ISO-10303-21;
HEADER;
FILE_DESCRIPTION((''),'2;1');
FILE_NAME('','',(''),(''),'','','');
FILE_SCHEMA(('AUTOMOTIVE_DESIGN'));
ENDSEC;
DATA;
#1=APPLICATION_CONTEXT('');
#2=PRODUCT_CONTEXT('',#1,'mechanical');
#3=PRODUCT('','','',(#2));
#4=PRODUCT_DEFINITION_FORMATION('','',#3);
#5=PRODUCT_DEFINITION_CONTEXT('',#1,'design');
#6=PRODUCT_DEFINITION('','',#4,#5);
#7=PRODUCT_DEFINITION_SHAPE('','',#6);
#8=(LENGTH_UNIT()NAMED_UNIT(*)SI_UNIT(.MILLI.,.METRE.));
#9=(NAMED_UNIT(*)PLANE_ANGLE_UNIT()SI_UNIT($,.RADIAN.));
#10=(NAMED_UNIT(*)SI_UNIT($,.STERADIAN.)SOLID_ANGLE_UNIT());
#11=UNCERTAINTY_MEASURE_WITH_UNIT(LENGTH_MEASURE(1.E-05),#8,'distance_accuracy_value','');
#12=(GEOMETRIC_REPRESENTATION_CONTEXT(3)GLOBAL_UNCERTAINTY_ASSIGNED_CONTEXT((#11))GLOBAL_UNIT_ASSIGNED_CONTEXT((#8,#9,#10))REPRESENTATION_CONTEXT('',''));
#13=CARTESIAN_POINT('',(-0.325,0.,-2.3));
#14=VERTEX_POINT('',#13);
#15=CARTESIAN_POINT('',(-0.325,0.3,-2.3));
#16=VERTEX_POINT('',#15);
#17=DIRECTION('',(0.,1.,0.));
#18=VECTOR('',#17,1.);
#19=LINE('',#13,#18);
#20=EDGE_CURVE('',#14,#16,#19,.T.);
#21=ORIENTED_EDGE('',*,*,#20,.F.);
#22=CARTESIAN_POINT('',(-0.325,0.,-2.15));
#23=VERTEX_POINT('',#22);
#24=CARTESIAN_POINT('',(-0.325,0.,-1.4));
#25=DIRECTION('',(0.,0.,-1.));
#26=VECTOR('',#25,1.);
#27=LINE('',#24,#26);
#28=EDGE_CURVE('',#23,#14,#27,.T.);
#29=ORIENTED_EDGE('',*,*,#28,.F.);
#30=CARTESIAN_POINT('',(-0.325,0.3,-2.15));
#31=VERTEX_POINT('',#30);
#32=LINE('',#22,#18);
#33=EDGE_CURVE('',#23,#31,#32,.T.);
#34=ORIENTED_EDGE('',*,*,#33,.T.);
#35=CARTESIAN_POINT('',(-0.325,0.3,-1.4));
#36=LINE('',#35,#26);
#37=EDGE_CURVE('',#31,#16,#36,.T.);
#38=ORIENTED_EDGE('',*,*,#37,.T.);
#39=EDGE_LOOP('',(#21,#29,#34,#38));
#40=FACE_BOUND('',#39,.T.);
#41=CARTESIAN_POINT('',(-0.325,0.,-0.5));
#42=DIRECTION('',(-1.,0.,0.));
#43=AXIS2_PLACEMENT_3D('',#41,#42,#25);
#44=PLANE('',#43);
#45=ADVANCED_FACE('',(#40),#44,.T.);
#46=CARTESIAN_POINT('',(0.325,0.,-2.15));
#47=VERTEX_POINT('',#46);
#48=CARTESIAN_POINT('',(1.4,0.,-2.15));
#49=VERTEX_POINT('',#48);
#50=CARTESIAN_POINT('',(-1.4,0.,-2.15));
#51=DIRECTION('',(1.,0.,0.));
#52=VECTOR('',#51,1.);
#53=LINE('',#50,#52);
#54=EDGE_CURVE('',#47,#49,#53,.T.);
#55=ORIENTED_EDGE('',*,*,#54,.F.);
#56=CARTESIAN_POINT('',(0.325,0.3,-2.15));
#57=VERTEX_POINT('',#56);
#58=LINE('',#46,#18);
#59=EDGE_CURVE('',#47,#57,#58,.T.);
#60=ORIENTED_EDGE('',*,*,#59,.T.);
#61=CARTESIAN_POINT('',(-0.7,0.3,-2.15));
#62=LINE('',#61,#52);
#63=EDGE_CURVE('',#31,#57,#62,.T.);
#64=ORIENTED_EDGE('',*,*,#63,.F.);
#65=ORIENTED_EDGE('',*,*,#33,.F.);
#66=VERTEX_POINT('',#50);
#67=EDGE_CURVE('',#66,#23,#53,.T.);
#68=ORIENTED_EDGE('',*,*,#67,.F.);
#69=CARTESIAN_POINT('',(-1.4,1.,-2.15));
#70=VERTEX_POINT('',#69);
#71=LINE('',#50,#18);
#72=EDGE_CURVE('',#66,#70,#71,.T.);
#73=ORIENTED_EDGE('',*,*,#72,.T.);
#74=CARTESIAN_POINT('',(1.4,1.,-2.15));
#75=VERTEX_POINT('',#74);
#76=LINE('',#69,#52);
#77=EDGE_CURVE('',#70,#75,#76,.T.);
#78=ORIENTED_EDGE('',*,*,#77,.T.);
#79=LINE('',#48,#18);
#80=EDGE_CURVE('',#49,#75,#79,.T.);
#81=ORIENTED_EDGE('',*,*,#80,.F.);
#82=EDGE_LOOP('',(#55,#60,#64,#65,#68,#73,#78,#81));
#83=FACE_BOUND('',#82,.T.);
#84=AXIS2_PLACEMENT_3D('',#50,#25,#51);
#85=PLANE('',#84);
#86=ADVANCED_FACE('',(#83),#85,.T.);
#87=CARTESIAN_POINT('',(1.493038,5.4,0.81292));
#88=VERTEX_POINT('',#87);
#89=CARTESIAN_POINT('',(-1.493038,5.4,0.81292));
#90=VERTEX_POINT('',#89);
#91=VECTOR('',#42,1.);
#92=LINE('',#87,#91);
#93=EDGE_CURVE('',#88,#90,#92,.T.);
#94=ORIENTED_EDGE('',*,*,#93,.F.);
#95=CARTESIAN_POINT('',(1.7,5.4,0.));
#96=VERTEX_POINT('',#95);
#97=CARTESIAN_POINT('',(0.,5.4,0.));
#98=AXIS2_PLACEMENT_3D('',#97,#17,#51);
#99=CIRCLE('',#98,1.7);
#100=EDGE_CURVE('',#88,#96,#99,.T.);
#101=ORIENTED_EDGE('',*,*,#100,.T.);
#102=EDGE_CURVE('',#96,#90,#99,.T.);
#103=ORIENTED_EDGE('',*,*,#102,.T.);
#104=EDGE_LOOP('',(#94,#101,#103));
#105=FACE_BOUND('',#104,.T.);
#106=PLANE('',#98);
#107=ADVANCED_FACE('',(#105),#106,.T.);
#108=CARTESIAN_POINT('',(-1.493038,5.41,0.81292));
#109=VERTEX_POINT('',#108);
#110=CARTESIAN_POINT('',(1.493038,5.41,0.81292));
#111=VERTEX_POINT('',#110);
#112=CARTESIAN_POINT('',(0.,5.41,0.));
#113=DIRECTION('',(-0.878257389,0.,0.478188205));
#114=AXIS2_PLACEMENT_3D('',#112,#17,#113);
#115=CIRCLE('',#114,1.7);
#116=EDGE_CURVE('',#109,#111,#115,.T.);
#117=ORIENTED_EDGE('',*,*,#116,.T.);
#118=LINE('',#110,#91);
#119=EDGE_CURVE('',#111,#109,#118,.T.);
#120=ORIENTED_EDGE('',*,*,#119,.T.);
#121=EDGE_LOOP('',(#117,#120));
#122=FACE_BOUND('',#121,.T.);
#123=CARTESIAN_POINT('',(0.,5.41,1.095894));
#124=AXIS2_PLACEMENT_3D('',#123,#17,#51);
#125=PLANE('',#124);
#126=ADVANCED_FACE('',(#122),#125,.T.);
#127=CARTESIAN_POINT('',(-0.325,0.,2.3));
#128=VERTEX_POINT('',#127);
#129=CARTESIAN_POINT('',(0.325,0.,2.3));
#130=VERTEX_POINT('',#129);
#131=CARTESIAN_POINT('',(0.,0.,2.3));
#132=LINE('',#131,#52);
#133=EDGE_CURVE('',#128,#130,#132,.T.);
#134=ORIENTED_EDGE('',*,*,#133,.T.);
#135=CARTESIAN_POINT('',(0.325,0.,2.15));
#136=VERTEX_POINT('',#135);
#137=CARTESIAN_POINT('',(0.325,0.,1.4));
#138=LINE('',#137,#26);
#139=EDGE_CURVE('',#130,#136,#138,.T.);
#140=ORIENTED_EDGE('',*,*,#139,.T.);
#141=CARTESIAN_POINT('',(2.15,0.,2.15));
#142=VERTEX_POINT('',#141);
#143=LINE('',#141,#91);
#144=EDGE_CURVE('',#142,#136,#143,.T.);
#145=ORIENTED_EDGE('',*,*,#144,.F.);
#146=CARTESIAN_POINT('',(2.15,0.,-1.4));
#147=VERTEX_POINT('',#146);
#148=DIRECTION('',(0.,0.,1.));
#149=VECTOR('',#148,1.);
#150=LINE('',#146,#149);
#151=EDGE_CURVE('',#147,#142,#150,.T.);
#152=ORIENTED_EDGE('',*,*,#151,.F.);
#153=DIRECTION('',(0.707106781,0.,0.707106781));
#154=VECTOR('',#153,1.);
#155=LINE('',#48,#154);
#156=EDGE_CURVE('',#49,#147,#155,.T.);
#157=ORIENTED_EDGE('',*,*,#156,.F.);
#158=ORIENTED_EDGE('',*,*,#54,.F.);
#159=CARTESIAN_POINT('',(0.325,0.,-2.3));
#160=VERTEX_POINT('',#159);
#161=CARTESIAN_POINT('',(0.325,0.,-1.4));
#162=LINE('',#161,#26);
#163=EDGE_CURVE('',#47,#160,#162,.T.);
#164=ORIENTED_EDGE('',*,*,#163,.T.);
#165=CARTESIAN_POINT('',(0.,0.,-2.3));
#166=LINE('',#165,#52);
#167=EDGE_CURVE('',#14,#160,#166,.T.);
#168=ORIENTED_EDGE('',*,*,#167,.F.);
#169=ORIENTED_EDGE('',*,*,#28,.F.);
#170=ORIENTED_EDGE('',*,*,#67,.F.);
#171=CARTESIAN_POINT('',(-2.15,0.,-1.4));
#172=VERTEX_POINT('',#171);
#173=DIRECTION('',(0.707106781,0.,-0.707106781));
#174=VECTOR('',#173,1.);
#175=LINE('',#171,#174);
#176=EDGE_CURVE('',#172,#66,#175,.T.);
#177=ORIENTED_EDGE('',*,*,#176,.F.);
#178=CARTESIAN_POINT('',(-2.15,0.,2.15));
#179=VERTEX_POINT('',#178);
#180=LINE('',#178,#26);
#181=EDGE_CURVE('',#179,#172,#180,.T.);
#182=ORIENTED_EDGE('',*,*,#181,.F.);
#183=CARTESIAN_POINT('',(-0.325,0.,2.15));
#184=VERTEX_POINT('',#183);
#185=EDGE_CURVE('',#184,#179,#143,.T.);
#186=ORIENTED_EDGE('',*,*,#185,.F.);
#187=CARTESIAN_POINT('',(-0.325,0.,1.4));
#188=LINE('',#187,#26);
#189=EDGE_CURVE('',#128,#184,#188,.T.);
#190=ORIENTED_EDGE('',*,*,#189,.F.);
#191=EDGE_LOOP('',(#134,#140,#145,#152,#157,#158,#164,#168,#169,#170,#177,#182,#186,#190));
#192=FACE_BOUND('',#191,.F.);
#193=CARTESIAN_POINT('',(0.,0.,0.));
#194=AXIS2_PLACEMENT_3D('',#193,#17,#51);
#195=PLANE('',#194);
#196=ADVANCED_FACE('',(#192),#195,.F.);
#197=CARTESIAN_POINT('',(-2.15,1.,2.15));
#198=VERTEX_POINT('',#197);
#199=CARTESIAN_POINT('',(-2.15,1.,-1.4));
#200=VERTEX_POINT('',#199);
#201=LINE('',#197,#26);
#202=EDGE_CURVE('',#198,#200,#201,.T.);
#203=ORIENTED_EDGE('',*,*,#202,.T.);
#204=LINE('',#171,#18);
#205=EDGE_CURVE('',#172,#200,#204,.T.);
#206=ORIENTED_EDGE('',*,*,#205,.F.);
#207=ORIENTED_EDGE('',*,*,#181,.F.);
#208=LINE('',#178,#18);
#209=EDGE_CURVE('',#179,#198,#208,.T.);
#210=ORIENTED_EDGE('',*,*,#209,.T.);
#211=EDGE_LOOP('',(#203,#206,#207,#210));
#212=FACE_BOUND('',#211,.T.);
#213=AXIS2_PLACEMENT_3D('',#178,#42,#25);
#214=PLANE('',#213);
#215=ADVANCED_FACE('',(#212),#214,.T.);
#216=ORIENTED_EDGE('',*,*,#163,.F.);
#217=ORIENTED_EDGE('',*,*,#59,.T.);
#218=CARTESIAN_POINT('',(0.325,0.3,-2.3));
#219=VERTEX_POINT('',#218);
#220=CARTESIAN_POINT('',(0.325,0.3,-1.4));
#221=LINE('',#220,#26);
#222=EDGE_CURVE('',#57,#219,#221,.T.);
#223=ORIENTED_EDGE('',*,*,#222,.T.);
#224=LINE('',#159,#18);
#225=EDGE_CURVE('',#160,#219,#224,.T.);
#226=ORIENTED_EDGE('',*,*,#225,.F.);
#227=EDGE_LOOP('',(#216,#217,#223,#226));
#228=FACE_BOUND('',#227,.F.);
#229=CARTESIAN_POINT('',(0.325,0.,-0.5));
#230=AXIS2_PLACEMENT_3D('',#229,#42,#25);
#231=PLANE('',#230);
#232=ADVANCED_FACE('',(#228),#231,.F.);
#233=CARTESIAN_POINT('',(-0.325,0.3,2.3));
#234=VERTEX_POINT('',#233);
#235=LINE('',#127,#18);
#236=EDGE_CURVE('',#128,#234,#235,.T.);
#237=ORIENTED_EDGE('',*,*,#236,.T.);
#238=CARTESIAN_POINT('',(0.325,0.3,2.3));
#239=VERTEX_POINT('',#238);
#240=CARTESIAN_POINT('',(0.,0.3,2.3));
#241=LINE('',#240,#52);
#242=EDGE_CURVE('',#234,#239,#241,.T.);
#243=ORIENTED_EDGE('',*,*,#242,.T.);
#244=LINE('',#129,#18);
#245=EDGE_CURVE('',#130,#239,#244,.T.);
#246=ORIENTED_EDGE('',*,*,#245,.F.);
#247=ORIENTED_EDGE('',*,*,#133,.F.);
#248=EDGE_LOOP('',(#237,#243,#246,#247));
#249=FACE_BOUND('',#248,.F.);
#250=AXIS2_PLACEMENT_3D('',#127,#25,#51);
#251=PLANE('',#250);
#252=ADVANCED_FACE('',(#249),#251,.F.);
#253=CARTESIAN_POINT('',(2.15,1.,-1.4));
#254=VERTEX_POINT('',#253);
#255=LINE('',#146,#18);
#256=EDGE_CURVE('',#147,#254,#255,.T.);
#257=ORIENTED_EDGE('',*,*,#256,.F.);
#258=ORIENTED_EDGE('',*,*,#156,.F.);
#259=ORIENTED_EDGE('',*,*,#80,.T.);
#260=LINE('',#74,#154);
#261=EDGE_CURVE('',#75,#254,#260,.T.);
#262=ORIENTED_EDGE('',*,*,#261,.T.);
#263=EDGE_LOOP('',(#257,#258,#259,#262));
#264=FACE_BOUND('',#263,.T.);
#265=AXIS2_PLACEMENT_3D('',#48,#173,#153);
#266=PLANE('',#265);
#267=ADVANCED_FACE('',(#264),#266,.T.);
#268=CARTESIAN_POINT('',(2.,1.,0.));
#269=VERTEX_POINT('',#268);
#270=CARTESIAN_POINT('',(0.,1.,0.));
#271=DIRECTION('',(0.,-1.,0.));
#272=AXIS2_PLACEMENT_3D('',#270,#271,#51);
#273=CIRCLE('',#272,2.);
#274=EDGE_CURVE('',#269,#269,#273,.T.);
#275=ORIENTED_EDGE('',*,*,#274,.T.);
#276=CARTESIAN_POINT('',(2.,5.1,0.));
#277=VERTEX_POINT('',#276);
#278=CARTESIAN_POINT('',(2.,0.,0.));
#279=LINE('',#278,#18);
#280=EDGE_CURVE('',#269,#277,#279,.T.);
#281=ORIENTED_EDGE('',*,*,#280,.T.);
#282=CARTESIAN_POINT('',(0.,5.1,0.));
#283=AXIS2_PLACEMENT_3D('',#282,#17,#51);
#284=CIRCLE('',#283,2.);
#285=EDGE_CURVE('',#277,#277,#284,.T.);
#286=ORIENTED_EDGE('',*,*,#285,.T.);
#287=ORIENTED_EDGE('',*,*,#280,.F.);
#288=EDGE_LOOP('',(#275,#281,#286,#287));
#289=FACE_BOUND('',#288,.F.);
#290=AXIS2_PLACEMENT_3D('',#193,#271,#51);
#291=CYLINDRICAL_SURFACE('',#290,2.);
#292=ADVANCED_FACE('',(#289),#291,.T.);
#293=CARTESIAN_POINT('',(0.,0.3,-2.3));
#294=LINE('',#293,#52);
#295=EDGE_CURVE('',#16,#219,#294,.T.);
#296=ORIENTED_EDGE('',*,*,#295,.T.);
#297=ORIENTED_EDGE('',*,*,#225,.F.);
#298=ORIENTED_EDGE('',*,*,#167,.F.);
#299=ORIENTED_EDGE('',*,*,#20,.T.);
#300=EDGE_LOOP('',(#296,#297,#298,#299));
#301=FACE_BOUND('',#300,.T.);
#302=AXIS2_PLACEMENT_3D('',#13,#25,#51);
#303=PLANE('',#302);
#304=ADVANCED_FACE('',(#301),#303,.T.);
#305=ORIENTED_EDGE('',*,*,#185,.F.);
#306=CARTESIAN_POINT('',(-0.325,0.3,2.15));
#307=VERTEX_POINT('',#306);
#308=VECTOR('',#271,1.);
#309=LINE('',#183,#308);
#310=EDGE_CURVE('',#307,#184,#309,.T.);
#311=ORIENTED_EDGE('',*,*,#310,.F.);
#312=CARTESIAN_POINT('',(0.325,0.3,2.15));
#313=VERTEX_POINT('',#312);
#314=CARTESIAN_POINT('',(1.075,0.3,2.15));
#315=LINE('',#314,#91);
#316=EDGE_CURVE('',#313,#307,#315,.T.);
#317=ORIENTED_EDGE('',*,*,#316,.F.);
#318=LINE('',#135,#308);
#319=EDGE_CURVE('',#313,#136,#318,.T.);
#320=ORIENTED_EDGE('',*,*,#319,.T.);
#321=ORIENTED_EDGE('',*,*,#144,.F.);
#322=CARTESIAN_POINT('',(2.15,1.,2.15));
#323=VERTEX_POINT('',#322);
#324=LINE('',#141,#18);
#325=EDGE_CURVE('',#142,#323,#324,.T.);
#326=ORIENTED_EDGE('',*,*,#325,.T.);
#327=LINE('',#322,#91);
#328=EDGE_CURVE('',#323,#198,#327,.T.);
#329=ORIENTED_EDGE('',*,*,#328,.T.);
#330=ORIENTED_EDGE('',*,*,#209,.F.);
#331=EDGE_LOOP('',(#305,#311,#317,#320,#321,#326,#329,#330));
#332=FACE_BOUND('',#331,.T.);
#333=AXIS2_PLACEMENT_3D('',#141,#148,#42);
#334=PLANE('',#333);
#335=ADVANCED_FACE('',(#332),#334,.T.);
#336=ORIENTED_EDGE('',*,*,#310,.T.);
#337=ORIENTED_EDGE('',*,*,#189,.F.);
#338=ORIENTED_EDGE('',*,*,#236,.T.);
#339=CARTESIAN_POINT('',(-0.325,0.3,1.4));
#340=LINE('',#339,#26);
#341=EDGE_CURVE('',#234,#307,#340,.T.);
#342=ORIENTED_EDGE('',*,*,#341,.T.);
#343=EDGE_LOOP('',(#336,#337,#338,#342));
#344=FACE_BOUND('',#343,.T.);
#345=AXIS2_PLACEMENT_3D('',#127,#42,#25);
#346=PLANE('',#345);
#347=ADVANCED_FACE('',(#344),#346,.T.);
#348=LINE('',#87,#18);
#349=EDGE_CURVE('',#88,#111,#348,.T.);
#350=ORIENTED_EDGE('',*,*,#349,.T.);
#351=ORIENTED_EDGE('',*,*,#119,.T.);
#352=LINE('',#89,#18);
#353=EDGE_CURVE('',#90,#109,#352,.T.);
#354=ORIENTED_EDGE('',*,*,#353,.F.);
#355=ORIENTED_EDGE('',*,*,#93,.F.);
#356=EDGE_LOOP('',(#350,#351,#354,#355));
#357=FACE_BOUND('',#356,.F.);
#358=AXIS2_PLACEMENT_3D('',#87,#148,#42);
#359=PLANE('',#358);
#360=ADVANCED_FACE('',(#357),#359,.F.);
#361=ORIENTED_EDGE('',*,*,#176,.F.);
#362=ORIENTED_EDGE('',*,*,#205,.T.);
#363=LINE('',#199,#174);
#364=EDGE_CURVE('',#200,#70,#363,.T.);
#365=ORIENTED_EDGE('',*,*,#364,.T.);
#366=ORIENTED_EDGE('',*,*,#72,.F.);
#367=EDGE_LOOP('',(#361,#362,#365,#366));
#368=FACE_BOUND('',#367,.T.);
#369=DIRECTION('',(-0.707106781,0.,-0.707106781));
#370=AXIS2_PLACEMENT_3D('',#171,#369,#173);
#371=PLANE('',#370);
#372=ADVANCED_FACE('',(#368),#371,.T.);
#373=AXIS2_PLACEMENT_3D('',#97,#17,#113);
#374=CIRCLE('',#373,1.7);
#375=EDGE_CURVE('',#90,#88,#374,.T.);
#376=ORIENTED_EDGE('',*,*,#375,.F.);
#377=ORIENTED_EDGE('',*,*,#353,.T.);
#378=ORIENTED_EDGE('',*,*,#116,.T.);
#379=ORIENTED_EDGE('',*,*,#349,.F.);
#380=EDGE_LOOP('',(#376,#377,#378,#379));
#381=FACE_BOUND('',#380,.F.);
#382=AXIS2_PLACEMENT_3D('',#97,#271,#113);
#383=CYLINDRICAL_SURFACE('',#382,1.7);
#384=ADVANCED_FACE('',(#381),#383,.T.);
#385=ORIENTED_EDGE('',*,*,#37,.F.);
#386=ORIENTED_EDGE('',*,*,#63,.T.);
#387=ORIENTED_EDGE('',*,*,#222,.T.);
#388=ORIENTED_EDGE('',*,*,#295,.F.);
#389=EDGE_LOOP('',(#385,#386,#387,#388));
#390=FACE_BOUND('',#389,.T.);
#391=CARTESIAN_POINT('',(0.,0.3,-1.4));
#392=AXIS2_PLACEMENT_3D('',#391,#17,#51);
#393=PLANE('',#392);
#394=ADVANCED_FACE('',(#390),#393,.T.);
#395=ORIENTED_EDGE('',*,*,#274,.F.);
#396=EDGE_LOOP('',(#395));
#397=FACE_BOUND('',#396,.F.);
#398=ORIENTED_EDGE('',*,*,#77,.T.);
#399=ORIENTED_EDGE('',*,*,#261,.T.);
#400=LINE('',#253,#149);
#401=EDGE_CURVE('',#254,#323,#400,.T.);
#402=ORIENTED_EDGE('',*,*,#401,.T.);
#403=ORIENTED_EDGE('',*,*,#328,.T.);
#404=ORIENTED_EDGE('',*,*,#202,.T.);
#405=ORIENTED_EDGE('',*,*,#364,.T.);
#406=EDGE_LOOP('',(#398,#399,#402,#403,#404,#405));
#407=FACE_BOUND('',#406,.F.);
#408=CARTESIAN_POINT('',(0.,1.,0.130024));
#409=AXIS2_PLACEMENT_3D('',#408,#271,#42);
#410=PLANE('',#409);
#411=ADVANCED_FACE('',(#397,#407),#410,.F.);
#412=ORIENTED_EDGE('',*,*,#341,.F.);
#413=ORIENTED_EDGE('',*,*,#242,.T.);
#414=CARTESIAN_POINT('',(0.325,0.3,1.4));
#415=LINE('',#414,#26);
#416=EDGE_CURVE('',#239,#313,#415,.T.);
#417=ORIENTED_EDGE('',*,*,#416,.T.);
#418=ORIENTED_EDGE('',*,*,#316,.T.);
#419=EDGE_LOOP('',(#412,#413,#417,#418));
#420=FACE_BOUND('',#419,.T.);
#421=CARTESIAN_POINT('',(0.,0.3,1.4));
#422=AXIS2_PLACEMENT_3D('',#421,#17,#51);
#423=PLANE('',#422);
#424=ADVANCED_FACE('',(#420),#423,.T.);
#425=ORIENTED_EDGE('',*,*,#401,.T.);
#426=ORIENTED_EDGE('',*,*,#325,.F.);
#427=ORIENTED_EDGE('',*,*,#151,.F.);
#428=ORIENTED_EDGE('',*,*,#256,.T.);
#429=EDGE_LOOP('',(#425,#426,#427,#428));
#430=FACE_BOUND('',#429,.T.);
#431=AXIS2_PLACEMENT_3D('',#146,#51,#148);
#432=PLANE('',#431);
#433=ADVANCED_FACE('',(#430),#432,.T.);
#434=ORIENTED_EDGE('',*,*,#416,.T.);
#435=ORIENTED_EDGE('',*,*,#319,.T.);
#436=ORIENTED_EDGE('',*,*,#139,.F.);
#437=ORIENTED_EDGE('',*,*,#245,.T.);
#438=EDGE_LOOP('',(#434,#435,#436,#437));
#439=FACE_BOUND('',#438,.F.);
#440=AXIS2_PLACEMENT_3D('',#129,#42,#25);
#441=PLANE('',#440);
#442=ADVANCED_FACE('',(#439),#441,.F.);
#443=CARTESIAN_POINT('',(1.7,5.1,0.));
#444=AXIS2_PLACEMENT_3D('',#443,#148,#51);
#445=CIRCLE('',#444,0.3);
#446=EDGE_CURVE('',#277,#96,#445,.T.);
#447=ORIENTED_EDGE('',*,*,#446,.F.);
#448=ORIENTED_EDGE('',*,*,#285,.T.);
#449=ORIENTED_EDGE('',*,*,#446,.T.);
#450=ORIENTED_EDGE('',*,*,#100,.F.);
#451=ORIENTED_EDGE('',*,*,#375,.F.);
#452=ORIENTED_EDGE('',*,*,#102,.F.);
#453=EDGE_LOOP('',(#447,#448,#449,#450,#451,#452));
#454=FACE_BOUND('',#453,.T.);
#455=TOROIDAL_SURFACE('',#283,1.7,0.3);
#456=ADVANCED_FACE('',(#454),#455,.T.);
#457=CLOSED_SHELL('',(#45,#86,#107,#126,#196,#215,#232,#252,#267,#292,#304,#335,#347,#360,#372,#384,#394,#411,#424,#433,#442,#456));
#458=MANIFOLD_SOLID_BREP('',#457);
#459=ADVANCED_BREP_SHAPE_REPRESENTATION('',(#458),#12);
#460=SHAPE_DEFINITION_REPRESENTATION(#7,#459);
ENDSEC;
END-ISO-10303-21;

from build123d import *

# Parameters (mm, degrees)
BOSS_EXTRUDE1_DEPTH = 1
SKETCH3_R           = 2
BOSS_EXTRUDE2_DEPTH = 5.4
FILLET1_R           = 0.3
SKETCH4_W           = 0.65
SKETCH4_H           = 1.8
BOSS_EXTRUDE3_DEPTH = 0.3
BOSS_EXTRUDE4_DEPTH = 0.01


with BuildPart() as part:
    # Sketch2 → Boss-Extrude1 (new body)
    with BuildSketch(Plane(origin=(0, 0, 0), x_dir=(1, 0, 0), z_dir=(0, 1, 0))):
        Polygon((2.15, -2.15), (-2.15, -2.15), (-2.15, 1.4), (-1.4, 2.15), (1.4, 2.15), (2.15, 1.4), align=None)
    extrude(amount=BOSS_EXTRUDE1_DEPTH)

    # Sketch3 → Boss-Extrude2 (add)
    with BuildSketch(Plane(origin=(0, 0, 0), x_dir=(1, 0, 0), z_dir=(0, 1, 0))):
        Circle(SKETCH3_R)
    extrude(amount=BOSS_EXTRUDE2_DEPTH)

    # Fillet1
    fillet1_edges = [part.edges().sort_by_distance(p)[0] for p in [
        (-2, 5.4, 0),
    ]]
    fillet(fillet1_edges, radius=FILLET1_R)

    # Sketch4 → Boss-Extrude3 (add)
    with BuildSketch(Plane(origin=(0, 0, 0), x_dir=(1, 0, 0), z_dir=(0, 1, 0))):
        with Locations((0, 1.4)):
            Rectangle(SKETCH4_W, SKETCH4_H)
        with Locations((0, -1.4)):
            Rectangle(SKETCH4_W, SKETCH4_H)
    extrude(amount=BOSS_EXTRUDE3_DEPTH)

    # Sketch5 → Boss-Extrude4 (add)
    with BuildSketch(Plane(origin=(0, 5.4, 0), x_dir=(1, 0, 0), z_dir=(0, 1, 0))):
        with BuildLine():
            Line((1.493037561, -0.812919948), (-1.493037561, -0.812919948))
            ThreePointArc((-1.493037561, -0.812919948), (0, -1.7), (1.493037561, -0.812919948))
        make_face()
    extrude(amount=BOSS_EXTRUDE4_DEPTH)


solid = part.part
